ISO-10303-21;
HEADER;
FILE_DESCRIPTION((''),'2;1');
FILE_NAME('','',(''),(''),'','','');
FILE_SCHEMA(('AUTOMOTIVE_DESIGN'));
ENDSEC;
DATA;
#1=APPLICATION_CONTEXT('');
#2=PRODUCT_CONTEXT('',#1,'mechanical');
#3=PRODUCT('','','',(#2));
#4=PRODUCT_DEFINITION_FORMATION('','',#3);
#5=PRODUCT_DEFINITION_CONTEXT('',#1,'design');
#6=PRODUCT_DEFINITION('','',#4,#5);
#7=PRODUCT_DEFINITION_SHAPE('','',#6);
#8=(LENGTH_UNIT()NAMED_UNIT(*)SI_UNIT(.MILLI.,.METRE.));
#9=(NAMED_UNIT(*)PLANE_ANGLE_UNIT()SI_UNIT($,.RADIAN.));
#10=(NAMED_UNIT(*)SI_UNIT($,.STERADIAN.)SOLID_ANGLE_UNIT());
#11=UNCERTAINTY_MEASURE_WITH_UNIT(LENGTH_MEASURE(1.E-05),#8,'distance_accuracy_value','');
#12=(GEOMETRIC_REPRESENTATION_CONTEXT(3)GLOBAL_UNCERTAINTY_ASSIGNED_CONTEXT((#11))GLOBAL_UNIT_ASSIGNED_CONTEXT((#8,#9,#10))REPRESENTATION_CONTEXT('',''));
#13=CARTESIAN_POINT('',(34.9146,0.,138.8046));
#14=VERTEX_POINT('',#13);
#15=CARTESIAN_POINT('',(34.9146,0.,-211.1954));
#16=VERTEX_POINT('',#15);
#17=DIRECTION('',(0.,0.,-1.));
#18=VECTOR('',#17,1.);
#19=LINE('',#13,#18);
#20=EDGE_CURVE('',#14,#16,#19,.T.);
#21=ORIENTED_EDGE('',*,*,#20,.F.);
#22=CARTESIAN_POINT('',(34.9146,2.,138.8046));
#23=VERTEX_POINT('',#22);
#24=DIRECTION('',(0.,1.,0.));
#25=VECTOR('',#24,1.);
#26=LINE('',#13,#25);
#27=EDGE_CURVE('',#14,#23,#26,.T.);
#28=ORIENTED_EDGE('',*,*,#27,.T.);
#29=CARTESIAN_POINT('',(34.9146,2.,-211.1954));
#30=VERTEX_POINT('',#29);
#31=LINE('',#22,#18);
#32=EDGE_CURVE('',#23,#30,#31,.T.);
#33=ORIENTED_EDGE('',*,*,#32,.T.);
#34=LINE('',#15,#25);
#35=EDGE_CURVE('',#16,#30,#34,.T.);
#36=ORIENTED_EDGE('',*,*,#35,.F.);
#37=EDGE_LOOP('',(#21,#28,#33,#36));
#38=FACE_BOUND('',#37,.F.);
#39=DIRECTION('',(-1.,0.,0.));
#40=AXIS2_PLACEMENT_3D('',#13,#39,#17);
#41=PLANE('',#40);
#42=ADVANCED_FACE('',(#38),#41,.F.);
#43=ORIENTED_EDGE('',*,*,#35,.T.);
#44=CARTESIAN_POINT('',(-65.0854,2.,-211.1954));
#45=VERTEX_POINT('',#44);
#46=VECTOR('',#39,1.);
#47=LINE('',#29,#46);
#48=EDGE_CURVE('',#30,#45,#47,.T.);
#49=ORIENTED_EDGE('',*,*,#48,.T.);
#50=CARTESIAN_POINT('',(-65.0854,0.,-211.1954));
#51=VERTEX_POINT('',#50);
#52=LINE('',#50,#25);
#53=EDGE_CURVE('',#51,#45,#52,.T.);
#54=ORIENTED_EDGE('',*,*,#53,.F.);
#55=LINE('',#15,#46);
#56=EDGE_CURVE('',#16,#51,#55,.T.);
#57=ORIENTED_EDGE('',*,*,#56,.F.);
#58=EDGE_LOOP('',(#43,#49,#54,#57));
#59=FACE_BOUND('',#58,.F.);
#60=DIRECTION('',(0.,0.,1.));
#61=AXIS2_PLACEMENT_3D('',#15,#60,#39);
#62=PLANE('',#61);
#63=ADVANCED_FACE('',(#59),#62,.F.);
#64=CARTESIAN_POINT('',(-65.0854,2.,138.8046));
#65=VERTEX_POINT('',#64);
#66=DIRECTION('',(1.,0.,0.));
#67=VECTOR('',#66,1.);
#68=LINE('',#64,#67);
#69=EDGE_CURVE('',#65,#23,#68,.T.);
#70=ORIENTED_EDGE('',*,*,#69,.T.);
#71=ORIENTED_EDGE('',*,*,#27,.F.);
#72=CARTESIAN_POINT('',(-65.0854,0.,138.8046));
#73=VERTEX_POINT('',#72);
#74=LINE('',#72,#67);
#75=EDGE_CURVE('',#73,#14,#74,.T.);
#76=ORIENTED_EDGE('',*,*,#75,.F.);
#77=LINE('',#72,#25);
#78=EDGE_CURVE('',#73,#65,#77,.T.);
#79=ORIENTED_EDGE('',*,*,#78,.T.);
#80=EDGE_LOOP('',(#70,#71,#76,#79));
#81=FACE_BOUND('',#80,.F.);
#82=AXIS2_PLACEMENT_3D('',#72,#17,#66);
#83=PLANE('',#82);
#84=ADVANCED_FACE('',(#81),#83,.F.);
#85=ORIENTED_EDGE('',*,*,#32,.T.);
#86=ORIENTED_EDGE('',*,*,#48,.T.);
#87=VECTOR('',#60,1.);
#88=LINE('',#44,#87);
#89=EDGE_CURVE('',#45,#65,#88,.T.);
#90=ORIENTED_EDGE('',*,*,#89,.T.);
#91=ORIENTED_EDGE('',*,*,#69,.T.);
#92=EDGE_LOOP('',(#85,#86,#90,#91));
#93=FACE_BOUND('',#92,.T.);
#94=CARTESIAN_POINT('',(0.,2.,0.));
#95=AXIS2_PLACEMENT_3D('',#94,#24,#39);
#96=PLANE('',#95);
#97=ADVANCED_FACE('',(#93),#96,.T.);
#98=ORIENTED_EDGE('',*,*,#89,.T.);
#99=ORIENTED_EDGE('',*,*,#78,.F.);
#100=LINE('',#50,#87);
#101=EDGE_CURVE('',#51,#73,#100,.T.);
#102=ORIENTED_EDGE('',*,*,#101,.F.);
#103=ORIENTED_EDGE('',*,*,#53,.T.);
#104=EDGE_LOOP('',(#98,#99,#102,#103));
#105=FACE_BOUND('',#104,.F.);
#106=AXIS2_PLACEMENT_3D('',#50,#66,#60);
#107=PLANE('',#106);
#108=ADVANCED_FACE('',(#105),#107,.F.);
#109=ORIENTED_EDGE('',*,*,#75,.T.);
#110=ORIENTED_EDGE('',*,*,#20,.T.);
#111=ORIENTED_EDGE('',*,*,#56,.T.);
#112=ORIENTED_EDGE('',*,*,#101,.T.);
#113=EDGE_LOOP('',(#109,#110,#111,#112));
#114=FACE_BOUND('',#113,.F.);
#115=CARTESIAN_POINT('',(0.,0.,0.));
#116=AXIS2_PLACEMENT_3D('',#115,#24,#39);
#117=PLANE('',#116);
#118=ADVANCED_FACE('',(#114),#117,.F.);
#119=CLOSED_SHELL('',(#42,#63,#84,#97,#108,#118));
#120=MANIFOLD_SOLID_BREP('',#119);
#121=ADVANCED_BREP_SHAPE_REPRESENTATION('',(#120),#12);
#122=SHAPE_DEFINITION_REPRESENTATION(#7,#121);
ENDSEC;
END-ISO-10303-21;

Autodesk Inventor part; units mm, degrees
ref_plane "YZ Plane" through (0, 0, 0) normal (1, 0, 0) x (0, 1, 0)
ref_plane "XZ Plane" through (0, 0, 0) normal (0, 1, 0) x (-1, 0, 0)
ref_plane "XY Plane" through (0, 0, 0) normal (0, 0, 1) x (1, 0, 0)
sketch "Sketch1" plane through (0, 0, 0) normal (0, 1, 0) x (-1, 0, 0)
  line L0 (65.0854, 138.8046) -> (-34.9146, 138.8046)
  line L1 (-34.9146, 138.8046) -> (-34.9146, -211.1954)
  line L2 (-34.9146, -211.1954) -> (65.0854, -211.1954)
  line L3 (65.0854, -211.1954) -> (65.0854, 138.8046)
  point P0 (0, 0)
  dimension "d0" = 350
  dimension "d1" = 100
extrude "Extrusion1" add sketch "Sketch1" along normal blind 2
properties part number "sol"
